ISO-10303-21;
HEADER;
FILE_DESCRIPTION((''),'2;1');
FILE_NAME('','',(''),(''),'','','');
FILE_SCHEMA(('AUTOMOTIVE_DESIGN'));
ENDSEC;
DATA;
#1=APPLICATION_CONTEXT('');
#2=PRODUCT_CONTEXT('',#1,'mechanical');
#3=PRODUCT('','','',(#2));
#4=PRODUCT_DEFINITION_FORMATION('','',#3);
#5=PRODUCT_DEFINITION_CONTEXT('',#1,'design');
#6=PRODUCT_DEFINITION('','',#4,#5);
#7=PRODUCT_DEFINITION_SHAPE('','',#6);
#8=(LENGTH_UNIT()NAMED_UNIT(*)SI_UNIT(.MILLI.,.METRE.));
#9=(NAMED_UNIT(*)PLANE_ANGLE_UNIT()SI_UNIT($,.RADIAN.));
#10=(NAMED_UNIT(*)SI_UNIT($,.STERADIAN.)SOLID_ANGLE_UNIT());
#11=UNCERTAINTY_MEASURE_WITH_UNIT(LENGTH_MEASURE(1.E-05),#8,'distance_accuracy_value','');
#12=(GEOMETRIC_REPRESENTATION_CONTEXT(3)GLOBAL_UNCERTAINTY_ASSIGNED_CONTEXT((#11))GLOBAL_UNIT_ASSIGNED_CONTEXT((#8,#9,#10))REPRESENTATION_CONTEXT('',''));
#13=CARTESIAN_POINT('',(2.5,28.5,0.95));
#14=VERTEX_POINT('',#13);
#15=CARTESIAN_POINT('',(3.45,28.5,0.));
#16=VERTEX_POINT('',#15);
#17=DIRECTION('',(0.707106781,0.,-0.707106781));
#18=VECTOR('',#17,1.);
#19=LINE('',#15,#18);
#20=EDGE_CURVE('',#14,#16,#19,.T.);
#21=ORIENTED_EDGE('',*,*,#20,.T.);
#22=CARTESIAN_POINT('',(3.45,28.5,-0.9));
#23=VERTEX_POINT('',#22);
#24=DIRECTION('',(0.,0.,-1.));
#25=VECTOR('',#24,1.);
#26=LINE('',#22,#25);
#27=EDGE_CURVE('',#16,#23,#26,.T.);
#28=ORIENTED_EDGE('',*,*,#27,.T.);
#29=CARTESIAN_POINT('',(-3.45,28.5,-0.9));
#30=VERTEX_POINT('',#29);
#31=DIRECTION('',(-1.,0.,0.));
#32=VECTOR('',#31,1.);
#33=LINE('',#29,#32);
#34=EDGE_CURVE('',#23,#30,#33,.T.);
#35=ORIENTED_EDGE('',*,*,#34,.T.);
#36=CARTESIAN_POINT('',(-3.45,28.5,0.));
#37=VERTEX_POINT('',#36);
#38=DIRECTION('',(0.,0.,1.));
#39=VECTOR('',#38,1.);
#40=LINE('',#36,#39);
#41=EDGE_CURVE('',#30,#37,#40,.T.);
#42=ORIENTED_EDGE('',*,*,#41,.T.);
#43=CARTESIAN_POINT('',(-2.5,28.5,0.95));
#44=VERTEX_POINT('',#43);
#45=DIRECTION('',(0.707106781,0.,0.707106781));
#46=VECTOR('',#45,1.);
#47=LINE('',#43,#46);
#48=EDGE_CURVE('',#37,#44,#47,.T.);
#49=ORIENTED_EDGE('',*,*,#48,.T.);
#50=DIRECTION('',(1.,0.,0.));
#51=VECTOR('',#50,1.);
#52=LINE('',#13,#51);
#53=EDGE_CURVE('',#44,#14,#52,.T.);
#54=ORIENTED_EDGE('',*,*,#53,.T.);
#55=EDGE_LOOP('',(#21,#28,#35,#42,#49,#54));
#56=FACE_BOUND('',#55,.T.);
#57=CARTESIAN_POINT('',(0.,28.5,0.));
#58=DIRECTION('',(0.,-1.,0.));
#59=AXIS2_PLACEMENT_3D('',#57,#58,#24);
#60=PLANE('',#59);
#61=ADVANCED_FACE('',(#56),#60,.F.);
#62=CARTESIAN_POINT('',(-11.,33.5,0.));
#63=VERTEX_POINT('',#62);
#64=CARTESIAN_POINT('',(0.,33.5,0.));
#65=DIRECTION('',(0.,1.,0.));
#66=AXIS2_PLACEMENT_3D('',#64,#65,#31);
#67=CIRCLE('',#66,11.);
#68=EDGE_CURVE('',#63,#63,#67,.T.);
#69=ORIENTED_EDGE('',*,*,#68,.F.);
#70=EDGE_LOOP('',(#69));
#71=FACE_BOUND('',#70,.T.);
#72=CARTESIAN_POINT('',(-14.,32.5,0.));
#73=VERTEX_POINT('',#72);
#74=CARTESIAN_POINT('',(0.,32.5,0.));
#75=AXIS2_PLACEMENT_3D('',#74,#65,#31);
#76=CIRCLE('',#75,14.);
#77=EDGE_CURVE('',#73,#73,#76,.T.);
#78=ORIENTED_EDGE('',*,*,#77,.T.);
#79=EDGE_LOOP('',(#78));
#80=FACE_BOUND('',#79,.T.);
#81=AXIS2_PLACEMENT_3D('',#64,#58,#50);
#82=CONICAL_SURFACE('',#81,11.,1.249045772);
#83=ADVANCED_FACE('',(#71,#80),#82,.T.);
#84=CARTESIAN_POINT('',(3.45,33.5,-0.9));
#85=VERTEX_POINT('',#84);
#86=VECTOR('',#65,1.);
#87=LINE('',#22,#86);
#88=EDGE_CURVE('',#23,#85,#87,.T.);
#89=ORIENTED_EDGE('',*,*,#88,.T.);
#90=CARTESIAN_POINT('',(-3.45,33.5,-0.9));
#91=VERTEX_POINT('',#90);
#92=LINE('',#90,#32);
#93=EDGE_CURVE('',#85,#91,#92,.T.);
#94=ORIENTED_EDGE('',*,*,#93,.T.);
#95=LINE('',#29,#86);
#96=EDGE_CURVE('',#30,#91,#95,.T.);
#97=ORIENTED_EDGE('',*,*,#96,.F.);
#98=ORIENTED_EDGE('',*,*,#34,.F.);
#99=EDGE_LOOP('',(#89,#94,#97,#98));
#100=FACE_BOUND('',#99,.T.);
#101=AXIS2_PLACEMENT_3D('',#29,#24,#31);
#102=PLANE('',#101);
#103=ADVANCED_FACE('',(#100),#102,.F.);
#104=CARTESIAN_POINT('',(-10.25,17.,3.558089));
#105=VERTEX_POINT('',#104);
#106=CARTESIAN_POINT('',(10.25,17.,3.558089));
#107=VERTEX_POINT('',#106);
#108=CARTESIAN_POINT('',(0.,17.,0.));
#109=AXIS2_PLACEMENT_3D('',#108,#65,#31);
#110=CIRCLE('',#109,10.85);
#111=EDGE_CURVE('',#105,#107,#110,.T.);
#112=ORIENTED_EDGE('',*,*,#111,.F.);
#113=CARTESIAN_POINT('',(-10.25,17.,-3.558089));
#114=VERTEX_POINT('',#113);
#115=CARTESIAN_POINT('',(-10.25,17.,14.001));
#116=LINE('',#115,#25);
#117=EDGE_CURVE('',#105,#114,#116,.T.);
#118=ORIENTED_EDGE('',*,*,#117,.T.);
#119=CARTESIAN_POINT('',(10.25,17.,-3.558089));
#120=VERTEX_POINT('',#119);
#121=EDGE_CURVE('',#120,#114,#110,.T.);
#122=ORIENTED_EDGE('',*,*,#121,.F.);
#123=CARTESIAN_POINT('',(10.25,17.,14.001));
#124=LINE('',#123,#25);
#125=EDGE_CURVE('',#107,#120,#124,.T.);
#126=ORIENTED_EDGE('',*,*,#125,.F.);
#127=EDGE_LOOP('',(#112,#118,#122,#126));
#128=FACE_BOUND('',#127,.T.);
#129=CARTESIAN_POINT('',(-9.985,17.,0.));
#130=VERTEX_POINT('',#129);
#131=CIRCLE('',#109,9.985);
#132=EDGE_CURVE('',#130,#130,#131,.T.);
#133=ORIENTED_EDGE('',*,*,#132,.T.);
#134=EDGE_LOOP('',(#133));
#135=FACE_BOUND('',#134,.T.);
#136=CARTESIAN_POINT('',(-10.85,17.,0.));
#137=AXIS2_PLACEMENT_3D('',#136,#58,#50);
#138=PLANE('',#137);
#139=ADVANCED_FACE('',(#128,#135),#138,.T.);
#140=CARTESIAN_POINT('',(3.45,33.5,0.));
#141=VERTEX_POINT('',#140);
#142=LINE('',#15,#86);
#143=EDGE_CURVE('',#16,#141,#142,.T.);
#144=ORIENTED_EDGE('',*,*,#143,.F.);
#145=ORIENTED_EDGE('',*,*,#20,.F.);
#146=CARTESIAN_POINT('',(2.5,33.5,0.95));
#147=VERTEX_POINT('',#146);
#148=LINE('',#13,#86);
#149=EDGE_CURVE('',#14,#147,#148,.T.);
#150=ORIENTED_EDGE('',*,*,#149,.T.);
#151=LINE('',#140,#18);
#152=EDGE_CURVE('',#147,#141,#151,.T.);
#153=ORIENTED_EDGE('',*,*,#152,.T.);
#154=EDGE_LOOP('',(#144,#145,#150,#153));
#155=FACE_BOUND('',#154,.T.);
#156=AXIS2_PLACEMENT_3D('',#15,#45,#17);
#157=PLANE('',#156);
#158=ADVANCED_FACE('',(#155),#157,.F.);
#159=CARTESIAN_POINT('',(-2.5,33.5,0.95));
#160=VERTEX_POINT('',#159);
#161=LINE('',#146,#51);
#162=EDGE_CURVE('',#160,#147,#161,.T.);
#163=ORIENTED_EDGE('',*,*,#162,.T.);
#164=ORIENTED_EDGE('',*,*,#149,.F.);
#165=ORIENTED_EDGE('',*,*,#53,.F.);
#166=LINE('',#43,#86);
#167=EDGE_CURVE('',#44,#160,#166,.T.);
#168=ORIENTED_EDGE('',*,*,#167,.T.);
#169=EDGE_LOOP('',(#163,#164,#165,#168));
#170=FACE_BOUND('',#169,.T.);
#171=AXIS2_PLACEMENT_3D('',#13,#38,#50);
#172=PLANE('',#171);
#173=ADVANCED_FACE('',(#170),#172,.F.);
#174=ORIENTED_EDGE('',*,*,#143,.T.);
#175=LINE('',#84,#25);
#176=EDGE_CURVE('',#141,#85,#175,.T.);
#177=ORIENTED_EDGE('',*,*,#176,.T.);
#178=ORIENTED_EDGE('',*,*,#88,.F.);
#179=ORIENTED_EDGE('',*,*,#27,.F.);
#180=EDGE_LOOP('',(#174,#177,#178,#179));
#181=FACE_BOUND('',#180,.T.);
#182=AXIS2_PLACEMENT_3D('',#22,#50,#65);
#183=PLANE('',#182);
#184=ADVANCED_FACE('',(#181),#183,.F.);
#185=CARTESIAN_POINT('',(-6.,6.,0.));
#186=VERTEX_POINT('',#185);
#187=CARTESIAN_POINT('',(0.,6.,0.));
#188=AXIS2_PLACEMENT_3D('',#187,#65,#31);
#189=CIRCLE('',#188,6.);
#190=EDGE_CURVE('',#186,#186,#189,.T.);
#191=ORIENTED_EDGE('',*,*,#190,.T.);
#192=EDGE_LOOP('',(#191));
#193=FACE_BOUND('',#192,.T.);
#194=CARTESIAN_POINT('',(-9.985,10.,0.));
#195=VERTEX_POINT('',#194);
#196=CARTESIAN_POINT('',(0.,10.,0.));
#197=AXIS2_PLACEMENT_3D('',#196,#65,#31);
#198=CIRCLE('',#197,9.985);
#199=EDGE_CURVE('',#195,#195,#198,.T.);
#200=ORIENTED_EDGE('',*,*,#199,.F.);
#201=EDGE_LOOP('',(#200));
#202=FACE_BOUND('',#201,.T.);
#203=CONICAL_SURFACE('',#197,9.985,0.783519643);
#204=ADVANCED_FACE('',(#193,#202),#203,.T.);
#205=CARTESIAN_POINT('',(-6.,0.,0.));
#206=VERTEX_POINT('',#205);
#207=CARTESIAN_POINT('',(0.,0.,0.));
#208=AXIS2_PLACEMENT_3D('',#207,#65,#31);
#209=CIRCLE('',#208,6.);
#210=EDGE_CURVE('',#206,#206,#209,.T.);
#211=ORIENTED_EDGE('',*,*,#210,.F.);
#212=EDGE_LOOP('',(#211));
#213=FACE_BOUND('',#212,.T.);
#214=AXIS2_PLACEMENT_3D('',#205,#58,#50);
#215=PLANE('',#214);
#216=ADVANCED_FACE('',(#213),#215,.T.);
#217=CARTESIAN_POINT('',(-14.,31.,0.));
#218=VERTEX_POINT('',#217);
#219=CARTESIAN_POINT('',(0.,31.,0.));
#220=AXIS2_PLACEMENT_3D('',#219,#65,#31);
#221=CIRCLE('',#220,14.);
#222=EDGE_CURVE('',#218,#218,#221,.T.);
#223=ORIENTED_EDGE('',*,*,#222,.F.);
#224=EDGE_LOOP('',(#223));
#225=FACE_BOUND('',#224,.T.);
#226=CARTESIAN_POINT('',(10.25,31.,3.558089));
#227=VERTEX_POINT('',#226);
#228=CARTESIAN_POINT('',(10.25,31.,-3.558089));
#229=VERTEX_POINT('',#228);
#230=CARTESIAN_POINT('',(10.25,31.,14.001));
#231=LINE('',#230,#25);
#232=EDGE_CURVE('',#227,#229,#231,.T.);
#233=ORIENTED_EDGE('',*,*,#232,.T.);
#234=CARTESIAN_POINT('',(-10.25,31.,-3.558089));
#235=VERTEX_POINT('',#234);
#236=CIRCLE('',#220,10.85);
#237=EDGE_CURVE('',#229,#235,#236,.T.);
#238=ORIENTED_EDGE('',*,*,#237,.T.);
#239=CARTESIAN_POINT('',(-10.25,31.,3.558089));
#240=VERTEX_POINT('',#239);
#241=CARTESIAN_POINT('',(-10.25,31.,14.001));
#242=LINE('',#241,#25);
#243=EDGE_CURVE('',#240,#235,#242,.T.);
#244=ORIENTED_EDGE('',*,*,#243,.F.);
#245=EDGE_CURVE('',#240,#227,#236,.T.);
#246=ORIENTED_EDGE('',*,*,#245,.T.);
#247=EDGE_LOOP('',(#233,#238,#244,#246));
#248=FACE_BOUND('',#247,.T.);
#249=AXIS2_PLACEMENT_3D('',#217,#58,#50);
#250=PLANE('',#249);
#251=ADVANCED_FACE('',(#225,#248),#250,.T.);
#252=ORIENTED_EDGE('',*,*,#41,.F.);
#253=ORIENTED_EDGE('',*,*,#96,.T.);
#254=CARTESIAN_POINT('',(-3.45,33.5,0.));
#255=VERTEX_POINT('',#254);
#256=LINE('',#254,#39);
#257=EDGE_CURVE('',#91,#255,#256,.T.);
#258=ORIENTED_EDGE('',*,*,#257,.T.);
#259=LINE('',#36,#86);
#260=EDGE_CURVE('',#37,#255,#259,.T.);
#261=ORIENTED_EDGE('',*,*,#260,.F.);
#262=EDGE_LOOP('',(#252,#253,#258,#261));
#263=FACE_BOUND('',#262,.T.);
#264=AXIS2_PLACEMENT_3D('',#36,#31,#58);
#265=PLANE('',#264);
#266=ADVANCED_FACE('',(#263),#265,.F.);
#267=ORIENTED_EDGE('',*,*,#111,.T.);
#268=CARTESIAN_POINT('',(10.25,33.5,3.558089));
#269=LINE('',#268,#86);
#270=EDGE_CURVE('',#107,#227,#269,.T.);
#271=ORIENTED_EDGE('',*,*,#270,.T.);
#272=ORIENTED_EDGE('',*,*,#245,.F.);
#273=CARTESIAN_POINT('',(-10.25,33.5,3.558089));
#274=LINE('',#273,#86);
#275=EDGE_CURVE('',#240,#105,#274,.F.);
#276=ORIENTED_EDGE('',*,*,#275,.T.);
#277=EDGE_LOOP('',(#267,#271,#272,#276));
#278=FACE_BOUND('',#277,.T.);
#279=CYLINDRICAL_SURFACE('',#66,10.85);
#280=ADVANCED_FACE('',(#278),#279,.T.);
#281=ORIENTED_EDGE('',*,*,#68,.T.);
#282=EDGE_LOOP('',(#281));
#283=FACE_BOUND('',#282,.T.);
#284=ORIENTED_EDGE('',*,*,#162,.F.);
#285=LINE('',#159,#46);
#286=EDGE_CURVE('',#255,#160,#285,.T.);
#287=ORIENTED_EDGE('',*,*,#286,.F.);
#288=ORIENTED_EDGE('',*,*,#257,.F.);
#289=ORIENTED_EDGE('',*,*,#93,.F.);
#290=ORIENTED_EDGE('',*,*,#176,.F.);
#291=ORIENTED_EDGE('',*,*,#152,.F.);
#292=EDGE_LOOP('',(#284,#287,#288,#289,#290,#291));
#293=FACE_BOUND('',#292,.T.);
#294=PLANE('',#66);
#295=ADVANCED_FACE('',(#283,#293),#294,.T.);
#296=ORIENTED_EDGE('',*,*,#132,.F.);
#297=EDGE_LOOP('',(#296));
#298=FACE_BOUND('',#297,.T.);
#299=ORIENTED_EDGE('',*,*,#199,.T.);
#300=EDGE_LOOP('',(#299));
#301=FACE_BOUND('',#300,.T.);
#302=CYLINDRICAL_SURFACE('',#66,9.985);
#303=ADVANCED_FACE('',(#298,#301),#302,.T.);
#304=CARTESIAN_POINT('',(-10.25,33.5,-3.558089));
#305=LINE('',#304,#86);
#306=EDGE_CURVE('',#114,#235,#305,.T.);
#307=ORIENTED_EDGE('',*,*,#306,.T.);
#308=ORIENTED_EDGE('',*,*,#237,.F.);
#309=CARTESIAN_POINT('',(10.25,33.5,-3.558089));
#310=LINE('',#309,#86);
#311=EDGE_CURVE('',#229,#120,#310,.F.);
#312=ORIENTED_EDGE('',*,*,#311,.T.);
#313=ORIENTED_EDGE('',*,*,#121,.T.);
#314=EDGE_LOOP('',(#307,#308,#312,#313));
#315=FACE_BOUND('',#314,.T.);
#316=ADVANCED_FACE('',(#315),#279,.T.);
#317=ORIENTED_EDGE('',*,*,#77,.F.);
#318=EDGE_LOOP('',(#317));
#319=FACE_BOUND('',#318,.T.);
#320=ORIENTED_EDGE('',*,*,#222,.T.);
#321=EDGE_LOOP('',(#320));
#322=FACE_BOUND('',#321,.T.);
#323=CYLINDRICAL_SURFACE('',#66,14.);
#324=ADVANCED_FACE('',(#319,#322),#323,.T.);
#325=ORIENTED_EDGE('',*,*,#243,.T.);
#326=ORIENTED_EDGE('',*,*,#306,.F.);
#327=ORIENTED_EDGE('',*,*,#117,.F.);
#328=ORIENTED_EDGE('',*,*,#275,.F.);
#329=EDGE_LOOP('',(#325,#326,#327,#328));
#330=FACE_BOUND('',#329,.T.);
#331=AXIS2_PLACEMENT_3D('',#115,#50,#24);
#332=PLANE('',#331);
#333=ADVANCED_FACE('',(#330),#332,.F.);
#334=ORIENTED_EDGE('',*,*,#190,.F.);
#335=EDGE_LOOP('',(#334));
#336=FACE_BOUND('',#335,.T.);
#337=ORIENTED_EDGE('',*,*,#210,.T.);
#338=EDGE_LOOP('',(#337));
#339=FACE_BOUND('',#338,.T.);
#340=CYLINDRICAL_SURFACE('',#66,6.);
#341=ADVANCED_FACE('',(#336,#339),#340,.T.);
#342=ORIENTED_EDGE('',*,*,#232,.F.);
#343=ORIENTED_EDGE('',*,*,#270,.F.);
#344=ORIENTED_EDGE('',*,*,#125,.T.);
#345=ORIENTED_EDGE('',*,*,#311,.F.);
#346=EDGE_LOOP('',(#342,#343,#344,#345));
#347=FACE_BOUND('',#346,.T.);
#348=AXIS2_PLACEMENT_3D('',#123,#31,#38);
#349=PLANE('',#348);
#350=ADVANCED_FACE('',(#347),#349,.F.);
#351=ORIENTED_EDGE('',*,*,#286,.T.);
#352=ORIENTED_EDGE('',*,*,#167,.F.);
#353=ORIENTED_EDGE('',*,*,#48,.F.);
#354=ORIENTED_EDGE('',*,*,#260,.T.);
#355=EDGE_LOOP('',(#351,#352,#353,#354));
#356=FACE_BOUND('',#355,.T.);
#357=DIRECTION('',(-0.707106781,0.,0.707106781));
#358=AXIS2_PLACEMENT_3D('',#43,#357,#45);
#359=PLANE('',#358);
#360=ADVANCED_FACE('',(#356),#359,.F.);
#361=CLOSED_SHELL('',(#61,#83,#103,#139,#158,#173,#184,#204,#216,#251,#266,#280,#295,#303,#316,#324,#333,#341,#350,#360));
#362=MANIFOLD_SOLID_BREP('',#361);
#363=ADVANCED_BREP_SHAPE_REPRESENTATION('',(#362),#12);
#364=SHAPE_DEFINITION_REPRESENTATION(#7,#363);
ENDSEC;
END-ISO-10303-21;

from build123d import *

# Parameters (mm, degrees)
ENL_V_MAT_EXTRU_1_DEPTH = 5
ENL_V_MAT_EXTRU_2_REACH = 45.997
ESQUISSE3_W             = 0.6
ESQUISSE3_H             = 14


with BuildPart() as part:
    # Esquisse1 → Révolution1 (revolve)
    with BuildSketch(Plane.XY):
        Polygon((0, 33.5), (-11, 33.5), (-14, 32.5), (-14, 31), (-10.85, 31), (-10.85, 17), (-9.985, 17), (-9.985, 10), (-6, 6), (-6, 0), (0, 0), align=None)
    revolve(axis=Axis((0, 33.5, 0), (0, -1, 0)))

    # Esquisse2 → Enlèv. mat.-Extru.1 (cut)
    with BuildSketch(Plane(origin=(0, 33.5, 0), x_dir=(1, 0, 0), z_dir=(0, 1, 0))):
        Polygon((-3.45, 0.9), (3.45, 0.9), (3.45, 0), (2.5, -0.95), (-2.5, -0.95), (-3.45, 0), align=None)
    extrude(amount=-ENL_V_MAT_EXTRU_1_DEPTH, mode=Mode.SUBTRACT)

    # Esquisse3 → Enlèv. mat.-Extru.2 (cut, up to next)
    with BuildSketch(Plane(origin=(0, 0, -10.85), x_dir=(-1, 0, 0), z_dir=(0, 0, -1)), mode=Mode.PRIVATE) as enl_v_mat_extru_2_sk1:
        with Locations((10.55, 24)):
            Rectangle(ESQUISSE3_W, ESQUISSE3_H)
    enl_v_mat_extru_2_tool1 = extrude(enl_v_mat_extru_2_sk1.sketch, amount=-ENL_V_MAT_EXTRU_2_REACH, mode=Mode.PRIVATE) & part.part
    # Esquisse3 → Enlèv. mat.-Extru.2 (cut, up to next)
    with BuildSketch(Plane(origin=(0, 0, -10.85), x_dir=(-1, 0, 0), z_dir=(0, 0, -1)), mode=Mode.PRIVATE) as enl_v_mat_extru_2_sk2:
        with Locations((-10.55, 24)):
            Rectangle(ESQUISSE3_W, ESQUISSE3_H)
    enl_v_mat_extru_2_tool2 = extrude(enl_v_mat_extru_2_sk2.sketch, amount=-ENL_V_MAT_EXTRU_2_REACH, mode=Mode.PRIVATE) & part.part
    add(enl_v_mat_extru_2_tool1.solids().sort_by_distance((-10.55, 24, -10.85))[0], mode=Mode.SUBTRACT)
    add(enl_v_mat_extru_2_tool2.solids().sort_by_distance((10.55, 24, -10.85))[0], mode=Mode.SUBTRACT)


solid = part.part
